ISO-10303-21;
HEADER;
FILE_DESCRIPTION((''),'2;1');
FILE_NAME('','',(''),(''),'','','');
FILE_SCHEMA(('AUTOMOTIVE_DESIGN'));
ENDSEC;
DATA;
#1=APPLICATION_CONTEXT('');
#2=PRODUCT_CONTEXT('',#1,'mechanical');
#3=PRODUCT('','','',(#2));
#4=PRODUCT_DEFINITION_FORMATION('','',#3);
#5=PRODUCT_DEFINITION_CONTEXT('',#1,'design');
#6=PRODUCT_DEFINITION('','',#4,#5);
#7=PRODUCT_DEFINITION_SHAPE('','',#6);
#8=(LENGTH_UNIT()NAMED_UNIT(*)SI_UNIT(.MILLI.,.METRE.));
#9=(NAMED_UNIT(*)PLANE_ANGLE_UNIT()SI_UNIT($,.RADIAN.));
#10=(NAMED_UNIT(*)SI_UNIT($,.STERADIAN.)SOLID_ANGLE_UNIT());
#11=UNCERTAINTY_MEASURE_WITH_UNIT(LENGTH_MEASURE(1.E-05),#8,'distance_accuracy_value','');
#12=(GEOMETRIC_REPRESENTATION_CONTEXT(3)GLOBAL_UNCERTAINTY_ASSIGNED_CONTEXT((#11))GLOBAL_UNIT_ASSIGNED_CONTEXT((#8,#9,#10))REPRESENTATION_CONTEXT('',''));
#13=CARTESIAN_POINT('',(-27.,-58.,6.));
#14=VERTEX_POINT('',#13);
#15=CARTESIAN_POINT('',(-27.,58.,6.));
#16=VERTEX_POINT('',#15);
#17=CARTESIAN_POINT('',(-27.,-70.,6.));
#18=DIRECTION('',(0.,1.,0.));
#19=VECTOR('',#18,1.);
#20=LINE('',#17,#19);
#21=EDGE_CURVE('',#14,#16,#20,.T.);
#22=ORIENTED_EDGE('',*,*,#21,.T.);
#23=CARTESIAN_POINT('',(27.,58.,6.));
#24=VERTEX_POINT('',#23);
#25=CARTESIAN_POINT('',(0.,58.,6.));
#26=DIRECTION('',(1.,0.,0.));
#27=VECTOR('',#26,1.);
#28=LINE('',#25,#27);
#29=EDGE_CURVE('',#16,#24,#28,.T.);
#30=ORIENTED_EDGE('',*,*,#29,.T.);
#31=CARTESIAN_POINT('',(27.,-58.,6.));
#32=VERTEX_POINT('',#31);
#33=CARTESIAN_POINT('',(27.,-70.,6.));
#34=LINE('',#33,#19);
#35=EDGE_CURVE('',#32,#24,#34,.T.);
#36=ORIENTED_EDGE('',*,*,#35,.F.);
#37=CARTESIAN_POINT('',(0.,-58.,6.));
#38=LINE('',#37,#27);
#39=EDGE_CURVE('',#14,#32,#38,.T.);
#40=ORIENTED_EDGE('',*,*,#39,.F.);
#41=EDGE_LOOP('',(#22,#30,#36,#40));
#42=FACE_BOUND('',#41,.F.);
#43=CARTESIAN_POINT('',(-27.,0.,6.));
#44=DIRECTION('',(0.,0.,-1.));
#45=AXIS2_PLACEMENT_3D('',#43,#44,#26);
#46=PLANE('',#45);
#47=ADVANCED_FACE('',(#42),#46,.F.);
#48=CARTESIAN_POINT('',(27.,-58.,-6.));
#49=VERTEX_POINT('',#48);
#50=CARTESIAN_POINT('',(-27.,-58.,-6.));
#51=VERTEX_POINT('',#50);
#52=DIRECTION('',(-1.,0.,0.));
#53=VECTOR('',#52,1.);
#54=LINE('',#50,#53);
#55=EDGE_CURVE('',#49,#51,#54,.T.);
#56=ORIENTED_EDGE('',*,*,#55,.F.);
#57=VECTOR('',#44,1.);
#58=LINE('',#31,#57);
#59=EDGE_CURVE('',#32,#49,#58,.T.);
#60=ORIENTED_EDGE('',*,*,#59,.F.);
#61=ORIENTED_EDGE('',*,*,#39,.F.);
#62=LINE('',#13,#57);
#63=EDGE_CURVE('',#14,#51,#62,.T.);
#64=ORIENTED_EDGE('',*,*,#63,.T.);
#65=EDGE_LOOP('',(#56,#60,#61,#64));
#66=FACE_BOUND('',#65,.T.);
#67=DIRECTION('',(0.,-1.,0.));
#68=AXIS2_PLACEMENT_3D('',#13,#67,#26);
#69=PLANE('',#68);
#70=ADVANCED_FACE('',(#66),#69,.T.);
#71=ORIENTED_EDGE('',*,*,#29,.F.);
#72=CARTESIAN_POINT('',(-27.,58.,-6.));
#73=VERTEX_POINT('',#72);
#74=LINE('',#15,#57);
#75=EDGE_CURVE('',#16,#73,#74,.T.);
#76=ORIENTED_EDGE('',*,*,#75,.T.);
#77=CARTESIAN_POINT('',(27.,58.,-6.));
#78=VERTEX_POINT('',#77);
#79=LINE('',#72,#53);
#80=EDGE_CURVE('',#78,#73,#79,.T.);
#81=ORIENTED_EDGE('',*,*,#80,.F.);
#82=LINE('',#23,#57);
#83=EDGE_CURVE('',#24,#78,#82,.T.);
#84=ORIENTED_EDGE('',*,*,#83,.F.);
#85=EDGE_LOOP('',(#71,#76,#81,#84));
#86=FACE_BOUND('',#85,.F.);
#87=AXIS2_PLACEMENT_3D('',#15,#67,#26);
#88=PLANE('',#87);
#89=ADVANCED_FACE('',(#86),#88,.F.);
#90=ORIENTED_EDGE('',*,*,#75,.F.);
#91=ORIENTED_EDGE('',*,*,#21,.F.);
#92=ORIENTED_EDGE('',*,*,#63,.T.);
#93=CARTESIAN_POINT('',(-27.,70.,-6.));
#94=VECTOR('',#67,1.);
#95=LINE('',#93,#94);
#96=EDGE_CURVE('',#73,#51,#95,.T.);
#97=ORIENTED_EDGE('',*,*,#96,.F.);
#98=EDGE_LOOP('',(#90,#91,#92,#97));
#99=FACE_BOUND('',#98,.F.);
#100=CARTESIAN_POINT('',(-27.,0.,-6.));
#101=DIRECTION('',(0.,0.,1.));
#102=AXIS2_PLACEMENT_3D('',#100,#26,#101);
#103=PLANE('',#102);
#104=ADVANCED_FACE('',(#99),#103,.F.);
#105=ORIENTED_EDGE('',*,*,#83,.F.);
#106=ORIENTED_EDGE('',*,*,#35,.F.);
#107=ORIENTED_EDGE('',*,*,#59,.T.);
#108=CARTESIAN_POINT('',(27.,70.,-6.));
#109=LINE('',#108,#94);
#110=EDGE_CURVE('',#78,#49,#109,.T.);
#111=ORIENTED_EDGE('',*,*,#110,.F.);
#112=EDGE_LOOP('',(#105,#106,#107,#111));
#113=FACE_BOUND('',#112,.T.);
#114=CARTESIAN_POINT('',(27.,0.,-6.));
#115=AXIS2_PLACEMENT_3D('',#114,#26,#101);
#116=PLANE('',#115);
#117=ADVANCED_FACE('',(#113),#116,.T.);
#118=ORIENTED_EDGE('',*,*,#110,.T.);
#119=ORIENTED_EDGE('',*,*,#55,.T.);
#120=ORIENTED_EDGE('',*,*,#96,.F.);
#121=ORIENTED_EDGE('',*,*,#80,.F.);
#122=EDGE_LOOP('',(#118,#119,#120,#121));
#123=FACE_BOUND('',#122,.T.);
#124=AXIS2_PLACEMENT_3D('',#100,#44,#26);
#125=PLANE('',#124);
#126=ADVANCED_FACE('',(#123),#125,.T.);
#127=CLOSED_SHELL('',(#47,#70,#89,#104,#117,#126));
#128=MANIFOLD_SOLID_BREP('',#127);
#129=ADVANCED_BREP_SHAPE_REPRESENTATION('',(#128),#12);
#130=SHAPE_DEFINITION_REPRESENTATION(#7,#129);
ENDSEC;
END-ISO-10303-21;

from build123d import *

# Parameters (mm, degrees)
F0_W     = 54
F0_H     = 12
F1_DEPTH = 70
F2_W     = 54
F2_H     = 12
F3_DEPTH = 100


with BuildPart() as f1:
    # F0 (on Front) → F1 (new body, symmetric)
    with BuildSketch(Plane.XZ):
        Rectangle(F0_W, F0_H)
    extrude(amount=F1_DEPTH, both=True)

    # F2 (on face) → F3 (cut)
    with BuildSketch(Plane.XY.offset(6)):
        with Locations((0, 64)):
            Rectangle(F2_W, F2_H)
        with Locations((0, -64)):
            Rectangle(F2_W, F2_H)
    extrude(amount=-F3_DEPTH, mode=Mode.SUBTRACT)


solid = f1.part
